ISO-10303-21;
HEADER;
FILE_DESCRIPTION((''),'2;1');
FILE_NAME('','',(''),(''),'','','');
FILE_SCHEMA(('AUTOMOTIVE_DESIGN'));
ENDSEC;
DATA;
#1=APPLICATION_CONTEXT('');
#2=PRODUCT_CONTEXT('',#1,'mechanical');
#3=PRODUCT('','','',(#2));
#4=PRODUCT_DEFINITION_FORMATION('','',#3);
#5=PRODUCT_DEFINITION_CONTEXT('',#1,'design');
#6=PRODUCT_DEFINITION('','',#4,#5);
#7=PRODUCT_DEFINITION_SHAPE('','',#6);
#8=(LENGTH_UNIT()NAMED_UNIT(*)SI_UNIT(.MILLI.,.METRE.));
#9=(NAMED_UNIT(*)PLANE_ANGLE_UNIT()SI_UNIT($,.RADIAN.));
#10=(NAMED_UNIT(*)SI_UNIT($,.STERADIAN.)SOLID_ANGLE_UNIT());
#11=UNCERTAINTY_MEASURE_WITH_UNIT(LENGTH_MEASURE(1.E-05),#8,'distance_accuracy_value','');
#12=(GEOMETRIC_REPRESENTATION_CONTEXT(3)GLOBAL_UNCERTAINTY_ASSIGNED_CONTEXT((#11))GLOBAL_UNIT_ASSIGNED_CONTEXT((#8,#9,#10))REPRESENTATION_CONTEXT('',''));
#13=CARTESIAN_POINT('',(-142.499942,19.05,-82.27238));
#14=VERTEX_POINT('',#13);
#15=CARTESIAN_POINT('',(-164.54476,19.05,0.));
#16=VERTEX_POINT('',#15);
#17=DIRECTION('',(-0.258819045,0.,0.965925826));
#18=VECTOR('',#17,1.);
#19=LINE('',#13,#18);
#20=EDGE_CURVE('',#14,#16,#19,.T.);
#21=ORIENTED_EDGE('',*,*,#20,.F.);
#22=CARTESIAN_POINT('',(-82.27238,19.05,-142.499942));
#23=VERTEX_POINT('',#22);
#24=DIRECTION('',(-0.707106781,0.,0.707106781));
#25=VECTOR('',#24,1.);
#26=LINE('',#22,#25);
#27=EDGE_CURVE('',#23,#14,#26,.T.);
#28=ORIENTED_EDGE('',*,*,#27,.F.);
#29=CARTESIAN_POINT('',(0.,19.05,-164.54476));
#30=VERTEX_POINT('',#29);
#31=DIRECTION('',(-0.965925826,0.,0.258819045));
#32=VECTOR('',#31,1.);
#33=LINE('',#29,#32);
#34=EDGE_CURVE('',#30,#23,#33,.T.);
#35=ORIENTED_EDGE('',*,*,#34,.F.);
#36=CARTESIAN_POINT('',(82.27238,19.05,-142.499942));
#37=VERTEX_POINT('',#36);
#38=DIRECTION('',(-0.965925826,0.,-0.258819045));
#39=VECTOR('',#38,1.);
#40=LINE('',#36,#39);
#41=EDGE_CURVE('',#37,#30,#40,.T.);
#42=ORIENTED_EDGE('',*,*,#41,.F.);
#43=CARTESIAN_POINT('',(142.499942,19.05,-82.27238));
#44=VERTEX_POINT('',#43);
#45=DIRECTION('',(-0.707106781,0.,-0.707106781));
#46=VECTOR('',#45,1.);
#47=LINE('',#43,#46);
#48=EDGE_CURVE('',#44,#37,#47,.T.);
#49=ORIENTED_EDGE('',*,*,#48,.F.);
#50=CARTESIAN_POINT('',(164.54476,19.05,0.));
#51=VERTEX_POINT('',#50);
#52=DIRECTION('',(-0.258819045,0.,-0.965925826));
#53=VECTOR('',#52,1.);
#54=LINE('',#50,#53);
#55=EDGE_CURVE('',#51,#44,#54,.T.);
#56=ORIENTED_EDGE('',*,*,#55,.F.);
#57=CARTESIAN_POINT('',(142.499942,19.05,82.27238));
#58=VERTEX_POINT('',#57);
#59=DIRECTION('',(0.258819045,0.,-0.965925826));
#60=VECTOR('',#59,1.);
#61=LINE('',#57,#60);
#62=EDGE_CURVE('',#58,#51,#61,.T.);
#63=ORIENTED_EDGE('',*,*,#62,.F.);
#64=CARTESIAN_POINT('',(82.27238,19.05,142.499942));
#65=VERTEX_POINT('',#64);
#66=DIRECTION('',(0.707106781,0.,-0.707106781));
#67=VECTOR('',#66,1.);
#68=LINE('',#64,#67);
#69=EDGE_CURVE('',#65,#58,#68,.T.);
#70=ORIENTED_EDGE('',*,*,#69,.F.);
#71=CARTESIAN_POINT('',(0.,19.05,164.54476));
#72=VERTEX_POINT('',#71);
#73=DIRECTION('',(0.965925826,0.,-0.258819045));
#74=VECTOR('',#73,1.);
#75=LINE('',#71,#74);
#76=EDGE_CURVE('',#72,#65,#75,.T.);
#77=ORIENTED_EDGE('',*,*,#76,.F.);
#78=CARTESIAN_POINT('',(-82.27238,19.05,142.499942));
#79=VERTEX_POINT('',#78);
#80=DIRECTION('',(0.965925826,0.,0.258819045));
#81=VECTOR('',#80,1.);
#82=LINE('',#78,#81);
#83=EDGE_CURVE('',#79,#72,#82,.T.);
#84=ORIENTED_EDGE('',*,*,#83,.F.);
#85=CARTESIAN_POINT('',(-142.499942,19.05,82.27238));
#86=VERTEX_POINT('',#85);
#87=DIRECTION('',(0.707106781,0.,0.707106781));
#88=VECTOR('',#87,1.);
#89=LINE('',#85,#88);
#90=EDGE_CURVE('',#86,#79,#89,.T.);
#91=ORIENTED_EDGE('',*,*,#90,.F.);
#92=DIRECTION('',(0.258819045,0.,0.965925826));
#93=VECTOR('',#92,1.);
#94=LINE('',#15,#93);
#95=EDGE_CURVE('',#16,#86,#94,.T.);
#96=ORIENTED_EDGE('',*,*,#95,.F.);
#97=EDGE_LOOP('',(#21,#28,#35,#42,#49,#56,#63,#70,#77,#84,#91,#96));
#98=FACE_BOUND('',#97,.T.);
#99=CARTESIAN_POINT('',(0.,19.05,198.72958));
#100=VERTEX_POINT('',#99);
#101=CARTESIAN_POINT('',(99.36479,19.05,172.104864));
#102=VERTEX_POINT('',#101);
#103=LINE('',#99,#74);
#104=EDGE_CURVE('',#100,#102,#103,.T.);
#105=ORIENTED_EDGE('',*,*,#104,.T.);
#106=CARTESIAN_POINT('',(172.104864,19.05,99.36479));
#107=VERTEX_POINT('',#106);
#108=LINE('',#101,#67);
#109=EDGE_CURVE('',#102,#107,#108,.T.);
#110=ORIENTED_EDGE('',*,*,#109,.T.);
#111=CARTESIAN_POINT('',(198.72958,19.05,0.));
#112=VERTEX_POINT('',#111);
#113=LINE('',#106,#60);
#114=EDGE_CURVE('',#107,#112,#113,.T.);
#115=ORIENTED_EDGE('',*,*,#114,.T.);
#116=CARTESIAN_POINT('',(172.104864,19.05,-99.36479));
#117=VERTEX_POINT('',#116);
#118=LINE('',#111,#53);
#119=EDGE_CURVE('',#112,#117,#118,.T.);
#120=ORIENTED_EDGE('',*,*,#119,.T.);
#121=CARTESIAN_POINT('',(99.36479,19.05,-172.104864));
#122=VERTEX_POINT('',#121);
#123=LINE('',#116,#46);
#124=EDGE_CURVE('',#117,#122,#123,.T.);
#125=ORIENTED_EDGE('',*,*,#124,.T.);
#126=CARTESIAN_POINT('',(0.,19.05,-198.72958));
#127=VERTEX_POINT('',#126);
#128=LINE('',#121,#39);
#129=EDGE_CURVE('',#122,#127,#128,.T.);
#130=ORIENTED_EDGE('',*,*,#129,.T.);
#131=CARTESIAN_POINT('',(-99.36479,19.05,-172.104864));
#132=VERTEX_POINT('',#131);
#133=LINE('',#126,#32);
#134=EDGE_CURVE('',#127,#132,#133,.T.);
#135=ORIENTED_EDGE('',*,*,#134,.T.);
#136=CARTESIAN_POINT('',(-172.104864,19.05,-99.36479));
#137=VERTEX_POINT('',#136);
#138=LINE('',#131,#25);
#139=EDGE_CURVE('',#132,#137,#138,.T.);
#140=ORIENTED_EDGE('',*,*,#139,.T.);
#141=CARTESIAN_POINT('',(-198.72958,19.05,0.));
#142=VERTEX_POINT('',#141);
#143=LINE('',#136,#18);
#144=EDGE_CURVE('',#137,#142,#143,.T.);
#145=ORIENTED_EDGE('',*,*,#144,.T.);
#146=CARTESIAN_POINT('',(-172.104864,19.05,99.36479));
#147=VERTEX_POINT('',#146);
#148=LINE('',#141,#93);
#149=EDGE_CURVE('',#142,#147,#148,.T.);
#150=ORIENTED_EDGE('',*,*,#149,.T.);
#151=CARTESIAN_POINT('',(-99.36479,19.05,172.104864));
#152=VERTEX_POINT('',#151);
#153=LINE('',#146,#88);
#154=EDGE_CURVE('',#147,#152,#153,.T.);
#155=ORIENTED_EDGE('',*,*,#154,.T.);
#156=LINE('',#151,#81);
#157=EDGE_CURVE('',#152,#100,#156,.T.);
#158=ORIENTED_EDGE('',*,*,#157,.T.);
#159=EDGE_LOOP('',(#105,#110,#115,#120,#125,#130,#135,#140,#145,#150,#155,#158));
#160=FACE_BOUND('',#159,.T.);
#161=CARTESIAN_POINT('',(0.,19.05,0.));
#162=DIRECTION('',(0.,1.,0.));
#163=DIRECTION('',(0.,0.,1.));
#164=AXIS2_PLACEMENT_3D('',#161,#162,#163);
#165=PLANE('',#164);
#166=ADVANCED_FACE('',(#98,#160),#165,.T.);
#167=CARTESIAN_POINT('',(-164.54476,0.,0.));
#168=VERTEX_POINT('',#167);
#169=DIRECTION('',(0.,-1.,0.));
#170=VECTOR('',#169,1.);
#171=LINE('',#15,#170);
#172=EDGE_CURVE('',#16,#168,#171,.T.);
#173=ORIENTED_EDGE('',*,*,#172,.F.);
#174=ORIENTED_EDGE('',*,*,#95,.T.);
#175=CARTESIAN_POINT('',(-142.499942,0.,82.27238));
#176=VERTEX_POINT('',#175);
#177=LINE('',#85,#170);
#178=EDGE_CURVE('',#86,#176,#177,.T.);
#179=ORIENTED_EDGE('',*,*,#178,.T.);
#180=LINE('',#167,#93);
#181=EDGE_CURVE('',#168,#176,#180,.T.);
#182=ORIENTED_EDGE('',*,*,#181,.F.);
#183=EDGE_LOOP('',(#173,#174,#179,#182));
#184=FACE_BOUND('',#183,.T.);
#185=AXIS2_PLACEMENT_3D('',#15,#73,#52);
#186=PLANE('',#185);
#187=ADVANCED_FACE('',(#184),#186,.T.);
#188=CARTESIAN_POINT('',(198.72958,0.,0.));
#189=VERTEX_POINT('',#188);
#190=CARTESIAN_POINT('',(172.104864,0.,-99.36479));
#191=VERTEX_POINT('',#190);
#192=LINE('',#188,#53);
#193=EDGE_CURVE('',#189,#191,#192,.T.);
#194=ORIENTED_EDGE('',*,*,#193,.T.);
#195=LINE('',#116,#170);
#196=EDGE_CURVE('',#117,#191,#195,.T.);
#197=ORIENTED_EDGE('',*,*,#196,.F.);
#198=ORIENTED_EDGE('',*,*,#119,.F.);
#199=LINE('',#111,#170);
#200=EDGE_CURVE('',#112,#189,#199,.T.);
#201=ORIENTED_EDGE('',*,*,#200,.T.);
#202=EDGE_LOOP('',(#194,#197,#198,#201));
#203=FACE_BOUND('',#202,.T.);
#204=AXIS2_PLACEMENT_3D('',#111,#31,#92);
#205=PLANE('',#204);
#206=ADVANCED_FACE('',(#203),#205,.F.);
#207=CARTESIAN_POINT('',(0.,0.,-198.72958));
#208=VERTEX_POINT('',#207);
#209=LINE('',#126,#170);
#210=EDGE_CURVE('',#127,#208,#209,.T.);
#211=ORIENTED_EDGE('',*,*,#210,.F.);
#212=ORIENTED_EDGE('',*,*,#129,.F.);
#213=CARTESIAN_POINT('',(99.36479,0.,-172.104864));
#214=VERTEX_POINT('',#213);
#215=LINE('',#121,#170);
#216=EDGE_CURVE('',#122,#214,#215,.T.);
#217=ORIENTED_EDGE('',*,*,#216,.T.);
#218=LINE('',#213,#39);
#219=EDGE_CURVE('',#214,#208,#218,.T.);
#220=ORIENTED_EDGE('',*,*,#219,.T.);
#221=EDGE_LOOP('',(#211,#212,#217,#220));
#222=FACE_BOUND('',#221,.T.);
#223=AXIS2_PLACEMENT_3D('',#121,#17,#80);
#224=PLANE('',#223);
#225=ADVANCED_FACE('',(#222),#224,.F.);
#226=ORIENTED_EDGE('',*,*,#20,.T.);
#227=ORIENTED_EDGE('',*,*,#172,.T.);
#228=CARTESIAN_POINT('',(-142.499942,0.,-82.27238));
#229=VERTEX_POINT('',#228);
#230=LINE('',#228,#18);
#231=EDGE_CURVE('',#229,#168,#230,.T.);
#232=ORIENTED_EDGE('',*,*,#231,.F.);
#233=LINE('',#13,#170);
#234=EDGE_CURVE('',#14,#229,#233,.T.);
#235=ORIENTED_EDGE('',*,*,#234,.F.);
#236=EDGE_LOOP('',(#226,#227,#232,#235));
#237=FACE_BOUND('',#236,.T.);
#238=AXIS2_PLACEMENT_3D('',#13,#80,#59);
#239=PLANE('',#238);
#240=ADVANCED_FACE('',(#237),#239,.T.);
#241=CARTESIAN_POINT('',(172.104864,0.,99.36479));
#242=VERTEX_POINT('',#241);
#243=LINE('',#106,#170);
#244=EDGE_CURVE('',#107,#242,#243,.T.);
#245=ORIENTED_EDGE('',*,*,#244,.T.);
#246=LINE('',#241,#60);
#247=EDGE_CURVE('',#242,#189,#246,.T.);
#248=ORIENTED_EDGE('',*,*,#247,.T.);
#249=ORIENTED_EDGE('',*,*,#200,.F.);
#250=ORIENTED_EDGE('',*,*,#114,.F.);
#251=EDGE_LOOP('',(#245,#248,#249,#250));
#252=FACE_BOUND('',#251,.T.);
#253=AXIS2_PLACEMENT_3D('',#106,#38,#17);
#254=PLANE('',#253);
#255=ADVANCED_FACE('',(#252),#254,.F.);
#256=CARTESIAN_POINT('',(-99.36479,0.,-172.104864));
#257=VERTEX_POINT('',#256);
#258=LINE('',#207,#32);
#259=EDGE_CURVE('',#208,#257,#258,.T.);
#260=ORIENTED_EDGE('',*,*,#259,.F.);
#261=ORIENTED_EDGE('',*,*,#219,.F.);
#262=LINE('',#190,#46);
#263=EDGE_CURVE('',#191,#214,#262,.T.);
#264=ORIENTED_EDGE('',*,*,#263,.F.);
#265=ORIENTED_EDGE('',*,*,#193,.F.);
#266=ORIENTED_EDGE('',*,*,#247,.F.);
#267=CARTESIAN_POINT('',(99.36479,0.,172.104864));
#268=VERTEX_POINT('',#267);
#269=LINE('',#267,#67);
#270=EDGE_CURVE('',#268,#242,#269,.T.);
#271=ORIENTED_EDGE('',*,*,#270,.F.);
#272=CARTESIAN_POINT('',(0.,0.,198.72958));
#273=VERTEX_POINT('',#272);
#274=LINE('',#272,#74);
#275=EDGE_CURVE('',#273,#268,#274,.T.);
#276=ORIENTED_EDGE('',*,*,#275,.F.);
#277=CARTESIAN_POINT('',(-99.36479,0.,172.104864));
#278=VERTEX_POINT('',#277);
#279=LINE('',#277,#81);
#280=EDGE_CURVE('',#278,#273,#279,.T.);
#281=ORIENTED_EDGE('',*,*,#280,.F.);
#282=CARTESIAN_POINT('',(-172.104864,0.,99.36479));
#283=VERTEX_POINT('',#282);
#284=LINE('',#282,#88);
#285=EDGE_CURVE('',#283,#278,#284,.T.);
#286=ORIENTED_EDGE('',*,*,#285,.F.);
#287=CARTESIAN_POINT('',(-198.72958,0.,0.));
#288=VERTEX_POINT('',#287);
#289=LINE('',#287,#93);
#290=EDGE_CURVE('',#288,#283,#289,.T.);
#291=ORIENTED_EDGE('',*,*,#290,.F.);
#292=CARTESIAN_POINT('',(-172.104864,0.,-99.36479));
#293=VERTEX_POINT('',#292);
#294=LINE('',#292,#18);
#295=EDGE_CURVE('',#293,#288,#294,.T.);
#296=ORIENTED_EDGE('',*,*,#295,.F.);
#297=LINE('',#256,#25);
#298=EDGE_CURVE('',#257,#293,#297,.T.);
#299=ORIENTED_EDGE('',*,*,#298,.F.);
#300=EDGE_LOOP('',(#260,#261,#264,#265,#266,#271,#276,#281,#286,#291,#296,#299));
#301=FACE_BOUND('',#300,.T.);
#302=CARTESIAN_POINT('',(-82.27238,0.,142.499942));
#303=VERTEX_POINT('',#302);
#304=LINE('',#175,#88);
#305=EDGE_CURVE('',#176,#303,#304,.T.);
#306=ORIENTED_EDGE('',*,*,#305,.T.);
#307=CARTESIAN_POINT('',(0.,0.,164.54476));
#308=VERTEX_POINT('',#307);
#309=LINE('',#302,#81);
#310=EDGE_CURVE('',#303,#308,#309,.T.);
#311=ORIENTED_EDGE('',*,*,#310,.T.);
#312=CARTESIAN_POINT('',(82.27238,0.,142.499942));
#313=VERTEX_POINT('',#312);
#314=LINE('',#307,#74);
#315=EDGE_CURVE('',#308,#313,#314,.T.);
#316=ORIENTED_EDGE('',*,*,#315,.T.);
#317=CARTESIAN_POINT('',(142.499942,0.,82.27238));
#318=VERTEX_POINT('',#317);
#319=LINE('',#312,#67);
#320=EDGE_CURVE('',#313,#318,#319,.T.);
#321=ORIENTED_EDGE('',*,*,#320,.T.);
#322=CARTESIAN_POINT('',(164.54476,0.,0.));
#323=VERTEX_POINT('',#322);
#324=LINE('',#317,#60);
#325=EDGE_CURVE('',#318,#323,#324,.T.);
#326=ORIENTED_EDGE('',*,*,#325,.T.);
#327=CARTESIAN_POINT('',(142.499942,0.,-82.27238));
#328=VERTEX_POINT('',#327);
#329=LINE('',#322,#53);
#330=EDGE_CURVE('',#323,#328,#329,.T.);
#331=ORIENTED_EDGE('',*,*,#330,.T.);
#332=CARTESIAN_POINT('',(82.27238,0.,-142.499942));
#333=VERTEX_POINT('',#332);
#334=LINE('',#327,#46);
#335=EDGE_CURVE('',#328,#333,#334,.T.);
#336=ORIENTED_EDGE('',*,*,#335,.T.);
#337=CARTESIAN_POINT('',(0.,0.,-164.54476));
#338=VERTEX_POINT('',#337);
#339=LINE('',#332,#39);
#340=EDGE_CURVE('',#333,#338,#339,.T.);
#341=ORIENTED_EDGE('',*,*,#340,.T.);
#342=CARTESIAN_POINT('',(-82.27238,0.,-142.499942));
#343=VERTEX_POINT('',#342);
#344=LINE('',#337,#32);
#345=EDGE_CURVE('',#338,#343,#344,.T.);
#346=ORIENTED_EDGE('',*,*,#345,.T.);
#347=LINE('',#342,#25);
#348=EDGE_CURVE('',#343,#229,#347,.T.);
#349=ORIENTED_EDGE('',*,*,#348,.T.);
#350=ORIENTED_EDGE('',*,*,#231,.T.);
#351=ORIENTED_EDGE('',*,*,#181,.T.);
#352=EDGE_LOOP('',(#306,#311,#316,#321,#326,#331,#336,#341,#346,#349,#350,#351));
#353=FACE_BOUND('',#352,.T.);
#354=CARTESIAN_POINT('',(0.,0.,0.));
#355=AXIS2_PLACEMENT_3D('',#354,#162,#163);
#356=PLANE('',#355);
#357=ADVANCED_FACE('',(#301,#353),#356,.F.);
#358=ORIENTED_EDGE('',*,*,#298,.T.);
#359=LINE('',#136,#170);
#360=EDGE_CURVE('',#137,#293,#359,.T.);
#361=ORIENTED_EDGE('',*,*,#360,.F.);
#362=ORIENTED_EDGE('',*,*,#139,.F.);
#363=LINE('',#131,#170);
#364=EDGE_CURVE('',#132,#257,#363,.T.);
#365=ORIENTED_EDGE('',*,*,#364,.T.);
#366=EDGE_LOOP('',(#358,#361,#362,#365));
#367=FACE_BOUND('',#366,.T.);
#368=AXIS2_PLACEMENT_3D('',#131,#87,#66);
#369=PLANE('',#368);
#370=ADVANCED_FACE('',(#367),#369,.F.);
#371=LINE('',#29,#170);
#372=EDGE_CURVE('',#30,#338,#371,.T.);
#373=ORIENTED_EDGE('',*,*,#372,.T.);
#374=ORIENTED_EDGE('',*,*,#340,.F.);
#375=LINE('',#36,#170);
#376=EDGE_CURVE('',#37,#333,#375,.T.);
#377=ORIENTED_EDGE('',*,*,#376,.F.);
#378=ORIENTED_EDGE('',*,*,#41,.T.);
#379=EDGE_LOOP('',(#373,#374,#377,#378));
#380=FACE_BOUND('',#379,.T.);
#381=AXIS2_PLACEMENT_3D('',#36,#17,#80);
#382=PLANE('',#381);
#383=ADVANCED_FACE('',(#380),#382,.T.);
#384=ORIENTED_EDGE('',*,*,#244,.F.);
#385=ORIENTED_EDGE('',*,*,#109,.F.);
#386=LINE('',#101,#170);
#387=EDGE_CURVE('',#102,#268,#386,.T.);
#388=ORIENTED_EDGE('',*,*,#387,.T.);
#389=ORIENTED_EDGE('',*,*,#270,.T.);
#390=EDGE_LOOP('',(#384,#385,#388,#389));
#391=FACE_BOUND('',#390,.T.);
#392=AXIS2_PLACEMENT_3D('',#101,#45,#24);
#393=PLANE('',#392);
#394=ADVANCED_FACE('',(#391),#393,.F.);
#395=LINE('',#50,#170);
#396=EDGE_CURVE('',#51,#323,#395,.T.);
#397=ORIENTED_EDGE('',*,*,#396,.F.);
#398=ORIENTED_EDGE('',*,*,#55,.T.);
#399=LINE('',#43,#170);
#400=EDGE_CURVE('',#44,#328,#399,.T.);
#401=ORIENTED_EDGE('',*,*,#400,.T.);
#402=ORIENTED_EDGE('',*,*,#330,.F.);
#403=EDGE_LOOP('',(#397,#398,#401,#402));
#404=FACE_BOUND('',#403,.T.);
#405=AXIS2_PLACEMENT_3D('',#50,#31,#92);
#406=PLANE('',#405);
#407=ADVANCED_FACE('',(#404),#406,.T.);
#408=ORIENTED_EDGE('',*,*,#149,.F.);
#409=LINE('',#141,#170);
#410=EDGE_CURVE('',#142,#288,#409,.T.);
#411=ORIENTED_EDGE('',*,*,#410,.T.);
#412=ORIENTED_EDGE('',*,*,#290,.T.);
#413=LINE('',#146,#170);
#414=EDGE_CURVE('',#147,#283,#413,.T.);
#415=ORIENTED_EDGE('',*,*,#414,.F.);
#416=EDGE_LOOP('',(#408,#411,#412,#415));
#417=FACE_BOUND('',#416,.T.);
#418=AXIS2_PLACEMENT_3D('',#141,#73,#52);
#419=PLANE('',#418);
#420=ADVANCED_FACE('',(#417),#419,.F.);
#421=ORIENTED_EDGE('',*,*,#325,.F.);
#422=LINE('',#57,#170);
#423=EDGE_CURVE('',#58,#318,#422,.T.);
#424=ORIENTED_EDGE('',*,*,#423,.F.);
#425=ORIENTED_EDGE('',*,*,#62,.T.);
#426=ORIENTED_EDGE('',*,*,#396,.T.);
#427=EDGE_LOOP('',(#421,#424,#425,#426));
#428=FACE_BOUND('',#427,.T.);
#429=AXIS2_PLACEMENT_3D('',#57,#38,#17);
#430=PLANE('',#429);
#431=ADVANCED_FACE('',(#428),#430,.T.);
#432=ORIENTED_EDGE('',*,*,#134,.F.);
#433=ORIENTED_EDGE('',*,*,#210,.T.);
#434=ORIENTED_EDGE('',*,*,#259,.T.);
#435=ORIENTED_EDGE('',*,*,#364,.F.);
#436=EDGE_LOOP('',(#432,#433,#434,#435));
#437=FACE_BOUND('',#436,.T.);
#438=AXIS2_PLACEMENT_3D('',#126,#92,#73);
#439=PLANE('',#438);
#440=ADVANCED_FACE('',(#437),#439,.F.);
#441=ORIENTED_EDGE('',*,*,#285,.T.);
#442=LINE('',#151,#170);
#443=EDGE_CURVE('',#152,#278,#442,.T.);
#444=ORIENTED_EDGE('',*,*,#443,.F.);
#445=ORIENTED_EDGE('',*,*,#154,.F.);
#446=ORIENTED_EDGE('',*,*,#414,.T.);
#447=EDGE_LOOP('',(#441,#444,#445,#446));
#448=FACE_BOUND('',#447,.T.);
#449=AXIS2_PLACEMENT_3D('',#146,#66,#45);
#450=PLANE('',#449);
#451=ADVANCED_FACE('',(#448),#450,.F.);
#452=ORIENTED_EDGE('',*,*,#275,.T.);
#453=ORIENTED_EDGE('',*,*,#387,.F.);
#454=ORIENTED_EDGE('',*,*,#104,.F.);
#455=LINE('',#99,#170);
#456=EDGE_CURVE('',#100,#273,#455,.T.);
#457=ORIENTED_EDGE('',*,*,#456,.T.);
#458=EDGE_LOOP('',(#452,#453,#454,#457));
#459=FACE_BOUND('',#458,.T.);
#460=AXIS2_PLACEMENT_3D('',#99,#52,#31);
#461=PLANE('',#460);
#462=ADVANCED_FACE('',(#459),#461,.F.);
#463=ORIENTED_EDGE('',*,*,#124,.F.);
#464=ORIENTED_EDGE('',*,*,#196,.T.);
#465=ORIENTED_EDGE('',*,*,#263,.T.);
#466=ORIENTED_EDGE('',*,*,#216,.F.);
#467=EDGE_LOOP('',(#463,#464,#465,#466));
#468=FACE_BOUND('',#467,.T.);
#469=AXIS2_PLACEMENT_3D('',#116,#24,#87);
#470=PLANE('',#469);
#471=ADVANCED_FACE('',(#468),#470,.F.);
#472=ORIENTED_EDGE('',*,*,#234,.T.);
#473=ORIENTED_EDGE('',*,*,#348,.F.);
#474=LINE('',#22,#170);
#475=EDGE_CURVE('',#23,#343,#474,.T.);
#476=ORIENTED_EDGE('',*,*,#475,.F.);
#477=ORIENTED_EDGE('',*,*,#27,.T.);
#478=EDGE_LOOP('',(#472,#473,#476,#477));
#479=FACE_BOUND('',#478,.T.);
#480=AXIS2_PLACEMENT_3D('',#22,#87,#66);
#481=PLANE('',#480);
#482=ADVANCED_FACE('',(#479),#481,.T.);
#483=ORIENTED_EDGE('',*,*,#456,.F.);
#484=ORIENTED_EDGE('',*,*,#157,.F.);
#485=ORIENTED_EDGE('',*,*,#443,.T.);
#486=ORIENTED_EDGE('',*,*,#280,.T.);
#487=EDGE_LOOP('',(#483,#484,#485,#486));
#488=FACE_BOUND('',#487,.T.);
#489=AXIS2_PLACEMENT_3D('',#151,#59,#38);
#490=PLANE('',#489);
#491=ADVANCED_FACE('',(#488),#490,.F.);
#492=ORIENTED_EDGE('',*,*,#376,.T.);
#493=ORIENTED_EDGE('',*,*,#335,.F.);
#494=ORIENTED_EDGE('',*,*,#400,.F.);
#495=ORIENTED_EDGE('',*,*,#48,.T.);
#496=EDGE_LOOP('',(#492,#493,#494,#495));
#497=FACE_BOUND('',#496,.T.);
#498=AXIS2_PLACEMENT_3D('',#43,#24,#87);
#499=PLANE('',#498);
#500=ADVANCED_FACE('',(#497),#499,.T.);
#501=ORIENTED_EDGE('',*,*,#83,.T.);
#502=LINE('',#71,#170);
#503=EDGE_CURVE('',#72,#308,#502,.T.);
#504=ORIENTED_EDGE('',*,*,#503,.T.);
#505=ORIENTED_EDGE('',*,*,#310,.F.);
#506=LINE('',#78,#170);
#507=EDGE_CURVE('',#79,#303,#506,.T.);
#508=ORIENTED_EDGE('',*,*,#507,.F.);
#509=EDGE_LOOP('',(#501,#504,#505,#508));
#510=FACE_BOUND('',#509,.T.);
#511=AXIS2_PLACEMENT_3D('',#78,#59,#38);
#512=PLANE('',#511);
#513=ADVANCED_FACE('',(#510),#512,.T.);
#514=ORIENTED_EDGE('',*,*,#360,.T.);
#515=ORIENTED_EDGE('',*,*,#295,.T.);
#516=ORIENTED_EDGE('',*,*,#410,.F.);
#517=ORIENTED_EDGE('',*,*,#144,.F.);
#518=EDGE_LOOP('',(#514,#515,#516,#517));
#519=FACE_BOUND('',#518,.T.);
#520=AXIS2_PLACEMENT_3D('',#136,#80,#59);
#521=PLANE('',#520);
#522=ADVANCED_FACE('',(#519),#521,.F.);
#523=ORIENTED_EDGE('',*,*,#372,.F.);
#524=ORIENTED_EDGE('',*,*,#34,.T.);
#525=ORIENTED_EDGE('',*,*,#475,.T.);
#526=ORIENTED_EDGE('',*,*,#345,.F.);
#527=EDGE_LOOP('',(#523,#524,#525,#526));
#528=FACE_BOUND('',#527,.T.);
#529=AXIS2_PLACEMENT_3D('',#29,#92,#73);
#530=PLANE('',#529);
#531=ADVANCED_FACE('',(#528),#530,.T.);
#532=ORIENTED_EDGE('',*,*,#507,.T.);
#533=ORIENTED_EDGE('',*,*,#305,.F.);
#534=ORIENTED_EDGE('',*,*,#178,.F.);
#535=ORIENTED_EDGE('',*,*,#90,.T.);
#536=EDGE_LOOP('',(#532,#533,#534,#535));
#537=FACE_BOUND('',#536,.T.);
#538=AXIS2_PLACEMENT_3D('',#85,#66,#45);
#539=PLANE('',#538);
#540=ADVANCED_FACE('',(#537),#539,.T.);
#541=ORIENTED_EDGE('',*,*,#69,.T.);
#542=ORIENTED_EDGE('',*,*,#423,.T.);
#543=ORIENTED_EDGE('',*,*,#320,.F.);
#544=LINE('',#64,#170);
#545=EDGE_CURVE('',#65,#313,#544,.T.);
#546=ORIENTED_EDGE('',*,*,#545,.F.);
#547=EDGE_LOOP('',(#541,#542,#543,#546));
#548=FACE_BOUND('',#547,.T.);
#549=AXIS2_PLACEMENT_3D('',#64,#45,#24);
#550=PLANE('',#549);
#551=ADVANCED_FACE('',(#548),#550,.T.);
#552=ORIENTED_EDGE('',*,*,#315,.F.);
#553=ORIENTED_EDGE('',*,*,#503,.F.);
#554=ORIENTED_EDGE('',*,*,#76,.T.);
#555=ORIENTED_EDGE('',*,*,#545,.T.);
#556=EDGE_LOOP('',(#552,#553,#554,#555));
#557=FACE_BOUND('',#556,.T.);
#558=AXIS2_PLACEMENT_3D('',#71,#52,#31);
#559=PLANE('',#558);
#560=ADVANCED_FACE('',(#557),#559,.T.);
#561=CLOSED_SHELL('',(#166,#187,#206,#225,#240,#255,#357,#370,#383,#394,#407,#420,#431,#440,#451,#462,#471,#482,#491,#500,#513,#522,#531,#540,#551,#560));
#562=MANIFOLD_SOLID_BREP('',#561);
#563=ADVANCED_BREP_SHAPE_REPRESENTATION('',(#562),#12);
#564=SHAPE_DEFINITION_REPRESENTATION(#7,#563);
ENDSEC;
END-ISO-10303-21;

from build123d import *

# Parameters (mm, degrees)
BOSS_EXTRUDE2_DEPTH = 19.05


with BuildPart() as part:
    # Sketch2 → Boss-Extrude2 (new body)
    with BuildSketch(Plane(origin=(0, 0, 0), x_dir=(1, 0, 0), z_dir=(0, 1, 0))):
        Polygon((-198.729579501, 0), (-172.104864331, -99.36478975), (-99.36478975, -172.104864331), (0, -198.729579501), (99.36478975, -172.104864331), (172.104864331, -99.36478975), (198.729579501, 0), (172.104864331, 99.36478975), (99.36478975, 172.104864331), (0, 198.729579501), (-99.36478975, 172.104864331), (-172.104864331, 99.36478975), align=None)
        Polygon((-164.544760024, 0), (-142.49994224, -82.272380012), (-82.272380012, -142.49994224), (0, -164.544760024), (82.272380012, -142.49994224), (142.49994224, -82.272380012), (164.544760024, 0), (142.49994224, 82.272380012), (82.272380012, 142.49994224), (0, 164.544760024), (-82.272380012, 142.49994224), (-142.49994224, 82.272380012), align=None, mode=Mode.SUBTRACT)
    extrude(amount=BOSS_EXTRUDE2_DEPTH)


solid = part.part
